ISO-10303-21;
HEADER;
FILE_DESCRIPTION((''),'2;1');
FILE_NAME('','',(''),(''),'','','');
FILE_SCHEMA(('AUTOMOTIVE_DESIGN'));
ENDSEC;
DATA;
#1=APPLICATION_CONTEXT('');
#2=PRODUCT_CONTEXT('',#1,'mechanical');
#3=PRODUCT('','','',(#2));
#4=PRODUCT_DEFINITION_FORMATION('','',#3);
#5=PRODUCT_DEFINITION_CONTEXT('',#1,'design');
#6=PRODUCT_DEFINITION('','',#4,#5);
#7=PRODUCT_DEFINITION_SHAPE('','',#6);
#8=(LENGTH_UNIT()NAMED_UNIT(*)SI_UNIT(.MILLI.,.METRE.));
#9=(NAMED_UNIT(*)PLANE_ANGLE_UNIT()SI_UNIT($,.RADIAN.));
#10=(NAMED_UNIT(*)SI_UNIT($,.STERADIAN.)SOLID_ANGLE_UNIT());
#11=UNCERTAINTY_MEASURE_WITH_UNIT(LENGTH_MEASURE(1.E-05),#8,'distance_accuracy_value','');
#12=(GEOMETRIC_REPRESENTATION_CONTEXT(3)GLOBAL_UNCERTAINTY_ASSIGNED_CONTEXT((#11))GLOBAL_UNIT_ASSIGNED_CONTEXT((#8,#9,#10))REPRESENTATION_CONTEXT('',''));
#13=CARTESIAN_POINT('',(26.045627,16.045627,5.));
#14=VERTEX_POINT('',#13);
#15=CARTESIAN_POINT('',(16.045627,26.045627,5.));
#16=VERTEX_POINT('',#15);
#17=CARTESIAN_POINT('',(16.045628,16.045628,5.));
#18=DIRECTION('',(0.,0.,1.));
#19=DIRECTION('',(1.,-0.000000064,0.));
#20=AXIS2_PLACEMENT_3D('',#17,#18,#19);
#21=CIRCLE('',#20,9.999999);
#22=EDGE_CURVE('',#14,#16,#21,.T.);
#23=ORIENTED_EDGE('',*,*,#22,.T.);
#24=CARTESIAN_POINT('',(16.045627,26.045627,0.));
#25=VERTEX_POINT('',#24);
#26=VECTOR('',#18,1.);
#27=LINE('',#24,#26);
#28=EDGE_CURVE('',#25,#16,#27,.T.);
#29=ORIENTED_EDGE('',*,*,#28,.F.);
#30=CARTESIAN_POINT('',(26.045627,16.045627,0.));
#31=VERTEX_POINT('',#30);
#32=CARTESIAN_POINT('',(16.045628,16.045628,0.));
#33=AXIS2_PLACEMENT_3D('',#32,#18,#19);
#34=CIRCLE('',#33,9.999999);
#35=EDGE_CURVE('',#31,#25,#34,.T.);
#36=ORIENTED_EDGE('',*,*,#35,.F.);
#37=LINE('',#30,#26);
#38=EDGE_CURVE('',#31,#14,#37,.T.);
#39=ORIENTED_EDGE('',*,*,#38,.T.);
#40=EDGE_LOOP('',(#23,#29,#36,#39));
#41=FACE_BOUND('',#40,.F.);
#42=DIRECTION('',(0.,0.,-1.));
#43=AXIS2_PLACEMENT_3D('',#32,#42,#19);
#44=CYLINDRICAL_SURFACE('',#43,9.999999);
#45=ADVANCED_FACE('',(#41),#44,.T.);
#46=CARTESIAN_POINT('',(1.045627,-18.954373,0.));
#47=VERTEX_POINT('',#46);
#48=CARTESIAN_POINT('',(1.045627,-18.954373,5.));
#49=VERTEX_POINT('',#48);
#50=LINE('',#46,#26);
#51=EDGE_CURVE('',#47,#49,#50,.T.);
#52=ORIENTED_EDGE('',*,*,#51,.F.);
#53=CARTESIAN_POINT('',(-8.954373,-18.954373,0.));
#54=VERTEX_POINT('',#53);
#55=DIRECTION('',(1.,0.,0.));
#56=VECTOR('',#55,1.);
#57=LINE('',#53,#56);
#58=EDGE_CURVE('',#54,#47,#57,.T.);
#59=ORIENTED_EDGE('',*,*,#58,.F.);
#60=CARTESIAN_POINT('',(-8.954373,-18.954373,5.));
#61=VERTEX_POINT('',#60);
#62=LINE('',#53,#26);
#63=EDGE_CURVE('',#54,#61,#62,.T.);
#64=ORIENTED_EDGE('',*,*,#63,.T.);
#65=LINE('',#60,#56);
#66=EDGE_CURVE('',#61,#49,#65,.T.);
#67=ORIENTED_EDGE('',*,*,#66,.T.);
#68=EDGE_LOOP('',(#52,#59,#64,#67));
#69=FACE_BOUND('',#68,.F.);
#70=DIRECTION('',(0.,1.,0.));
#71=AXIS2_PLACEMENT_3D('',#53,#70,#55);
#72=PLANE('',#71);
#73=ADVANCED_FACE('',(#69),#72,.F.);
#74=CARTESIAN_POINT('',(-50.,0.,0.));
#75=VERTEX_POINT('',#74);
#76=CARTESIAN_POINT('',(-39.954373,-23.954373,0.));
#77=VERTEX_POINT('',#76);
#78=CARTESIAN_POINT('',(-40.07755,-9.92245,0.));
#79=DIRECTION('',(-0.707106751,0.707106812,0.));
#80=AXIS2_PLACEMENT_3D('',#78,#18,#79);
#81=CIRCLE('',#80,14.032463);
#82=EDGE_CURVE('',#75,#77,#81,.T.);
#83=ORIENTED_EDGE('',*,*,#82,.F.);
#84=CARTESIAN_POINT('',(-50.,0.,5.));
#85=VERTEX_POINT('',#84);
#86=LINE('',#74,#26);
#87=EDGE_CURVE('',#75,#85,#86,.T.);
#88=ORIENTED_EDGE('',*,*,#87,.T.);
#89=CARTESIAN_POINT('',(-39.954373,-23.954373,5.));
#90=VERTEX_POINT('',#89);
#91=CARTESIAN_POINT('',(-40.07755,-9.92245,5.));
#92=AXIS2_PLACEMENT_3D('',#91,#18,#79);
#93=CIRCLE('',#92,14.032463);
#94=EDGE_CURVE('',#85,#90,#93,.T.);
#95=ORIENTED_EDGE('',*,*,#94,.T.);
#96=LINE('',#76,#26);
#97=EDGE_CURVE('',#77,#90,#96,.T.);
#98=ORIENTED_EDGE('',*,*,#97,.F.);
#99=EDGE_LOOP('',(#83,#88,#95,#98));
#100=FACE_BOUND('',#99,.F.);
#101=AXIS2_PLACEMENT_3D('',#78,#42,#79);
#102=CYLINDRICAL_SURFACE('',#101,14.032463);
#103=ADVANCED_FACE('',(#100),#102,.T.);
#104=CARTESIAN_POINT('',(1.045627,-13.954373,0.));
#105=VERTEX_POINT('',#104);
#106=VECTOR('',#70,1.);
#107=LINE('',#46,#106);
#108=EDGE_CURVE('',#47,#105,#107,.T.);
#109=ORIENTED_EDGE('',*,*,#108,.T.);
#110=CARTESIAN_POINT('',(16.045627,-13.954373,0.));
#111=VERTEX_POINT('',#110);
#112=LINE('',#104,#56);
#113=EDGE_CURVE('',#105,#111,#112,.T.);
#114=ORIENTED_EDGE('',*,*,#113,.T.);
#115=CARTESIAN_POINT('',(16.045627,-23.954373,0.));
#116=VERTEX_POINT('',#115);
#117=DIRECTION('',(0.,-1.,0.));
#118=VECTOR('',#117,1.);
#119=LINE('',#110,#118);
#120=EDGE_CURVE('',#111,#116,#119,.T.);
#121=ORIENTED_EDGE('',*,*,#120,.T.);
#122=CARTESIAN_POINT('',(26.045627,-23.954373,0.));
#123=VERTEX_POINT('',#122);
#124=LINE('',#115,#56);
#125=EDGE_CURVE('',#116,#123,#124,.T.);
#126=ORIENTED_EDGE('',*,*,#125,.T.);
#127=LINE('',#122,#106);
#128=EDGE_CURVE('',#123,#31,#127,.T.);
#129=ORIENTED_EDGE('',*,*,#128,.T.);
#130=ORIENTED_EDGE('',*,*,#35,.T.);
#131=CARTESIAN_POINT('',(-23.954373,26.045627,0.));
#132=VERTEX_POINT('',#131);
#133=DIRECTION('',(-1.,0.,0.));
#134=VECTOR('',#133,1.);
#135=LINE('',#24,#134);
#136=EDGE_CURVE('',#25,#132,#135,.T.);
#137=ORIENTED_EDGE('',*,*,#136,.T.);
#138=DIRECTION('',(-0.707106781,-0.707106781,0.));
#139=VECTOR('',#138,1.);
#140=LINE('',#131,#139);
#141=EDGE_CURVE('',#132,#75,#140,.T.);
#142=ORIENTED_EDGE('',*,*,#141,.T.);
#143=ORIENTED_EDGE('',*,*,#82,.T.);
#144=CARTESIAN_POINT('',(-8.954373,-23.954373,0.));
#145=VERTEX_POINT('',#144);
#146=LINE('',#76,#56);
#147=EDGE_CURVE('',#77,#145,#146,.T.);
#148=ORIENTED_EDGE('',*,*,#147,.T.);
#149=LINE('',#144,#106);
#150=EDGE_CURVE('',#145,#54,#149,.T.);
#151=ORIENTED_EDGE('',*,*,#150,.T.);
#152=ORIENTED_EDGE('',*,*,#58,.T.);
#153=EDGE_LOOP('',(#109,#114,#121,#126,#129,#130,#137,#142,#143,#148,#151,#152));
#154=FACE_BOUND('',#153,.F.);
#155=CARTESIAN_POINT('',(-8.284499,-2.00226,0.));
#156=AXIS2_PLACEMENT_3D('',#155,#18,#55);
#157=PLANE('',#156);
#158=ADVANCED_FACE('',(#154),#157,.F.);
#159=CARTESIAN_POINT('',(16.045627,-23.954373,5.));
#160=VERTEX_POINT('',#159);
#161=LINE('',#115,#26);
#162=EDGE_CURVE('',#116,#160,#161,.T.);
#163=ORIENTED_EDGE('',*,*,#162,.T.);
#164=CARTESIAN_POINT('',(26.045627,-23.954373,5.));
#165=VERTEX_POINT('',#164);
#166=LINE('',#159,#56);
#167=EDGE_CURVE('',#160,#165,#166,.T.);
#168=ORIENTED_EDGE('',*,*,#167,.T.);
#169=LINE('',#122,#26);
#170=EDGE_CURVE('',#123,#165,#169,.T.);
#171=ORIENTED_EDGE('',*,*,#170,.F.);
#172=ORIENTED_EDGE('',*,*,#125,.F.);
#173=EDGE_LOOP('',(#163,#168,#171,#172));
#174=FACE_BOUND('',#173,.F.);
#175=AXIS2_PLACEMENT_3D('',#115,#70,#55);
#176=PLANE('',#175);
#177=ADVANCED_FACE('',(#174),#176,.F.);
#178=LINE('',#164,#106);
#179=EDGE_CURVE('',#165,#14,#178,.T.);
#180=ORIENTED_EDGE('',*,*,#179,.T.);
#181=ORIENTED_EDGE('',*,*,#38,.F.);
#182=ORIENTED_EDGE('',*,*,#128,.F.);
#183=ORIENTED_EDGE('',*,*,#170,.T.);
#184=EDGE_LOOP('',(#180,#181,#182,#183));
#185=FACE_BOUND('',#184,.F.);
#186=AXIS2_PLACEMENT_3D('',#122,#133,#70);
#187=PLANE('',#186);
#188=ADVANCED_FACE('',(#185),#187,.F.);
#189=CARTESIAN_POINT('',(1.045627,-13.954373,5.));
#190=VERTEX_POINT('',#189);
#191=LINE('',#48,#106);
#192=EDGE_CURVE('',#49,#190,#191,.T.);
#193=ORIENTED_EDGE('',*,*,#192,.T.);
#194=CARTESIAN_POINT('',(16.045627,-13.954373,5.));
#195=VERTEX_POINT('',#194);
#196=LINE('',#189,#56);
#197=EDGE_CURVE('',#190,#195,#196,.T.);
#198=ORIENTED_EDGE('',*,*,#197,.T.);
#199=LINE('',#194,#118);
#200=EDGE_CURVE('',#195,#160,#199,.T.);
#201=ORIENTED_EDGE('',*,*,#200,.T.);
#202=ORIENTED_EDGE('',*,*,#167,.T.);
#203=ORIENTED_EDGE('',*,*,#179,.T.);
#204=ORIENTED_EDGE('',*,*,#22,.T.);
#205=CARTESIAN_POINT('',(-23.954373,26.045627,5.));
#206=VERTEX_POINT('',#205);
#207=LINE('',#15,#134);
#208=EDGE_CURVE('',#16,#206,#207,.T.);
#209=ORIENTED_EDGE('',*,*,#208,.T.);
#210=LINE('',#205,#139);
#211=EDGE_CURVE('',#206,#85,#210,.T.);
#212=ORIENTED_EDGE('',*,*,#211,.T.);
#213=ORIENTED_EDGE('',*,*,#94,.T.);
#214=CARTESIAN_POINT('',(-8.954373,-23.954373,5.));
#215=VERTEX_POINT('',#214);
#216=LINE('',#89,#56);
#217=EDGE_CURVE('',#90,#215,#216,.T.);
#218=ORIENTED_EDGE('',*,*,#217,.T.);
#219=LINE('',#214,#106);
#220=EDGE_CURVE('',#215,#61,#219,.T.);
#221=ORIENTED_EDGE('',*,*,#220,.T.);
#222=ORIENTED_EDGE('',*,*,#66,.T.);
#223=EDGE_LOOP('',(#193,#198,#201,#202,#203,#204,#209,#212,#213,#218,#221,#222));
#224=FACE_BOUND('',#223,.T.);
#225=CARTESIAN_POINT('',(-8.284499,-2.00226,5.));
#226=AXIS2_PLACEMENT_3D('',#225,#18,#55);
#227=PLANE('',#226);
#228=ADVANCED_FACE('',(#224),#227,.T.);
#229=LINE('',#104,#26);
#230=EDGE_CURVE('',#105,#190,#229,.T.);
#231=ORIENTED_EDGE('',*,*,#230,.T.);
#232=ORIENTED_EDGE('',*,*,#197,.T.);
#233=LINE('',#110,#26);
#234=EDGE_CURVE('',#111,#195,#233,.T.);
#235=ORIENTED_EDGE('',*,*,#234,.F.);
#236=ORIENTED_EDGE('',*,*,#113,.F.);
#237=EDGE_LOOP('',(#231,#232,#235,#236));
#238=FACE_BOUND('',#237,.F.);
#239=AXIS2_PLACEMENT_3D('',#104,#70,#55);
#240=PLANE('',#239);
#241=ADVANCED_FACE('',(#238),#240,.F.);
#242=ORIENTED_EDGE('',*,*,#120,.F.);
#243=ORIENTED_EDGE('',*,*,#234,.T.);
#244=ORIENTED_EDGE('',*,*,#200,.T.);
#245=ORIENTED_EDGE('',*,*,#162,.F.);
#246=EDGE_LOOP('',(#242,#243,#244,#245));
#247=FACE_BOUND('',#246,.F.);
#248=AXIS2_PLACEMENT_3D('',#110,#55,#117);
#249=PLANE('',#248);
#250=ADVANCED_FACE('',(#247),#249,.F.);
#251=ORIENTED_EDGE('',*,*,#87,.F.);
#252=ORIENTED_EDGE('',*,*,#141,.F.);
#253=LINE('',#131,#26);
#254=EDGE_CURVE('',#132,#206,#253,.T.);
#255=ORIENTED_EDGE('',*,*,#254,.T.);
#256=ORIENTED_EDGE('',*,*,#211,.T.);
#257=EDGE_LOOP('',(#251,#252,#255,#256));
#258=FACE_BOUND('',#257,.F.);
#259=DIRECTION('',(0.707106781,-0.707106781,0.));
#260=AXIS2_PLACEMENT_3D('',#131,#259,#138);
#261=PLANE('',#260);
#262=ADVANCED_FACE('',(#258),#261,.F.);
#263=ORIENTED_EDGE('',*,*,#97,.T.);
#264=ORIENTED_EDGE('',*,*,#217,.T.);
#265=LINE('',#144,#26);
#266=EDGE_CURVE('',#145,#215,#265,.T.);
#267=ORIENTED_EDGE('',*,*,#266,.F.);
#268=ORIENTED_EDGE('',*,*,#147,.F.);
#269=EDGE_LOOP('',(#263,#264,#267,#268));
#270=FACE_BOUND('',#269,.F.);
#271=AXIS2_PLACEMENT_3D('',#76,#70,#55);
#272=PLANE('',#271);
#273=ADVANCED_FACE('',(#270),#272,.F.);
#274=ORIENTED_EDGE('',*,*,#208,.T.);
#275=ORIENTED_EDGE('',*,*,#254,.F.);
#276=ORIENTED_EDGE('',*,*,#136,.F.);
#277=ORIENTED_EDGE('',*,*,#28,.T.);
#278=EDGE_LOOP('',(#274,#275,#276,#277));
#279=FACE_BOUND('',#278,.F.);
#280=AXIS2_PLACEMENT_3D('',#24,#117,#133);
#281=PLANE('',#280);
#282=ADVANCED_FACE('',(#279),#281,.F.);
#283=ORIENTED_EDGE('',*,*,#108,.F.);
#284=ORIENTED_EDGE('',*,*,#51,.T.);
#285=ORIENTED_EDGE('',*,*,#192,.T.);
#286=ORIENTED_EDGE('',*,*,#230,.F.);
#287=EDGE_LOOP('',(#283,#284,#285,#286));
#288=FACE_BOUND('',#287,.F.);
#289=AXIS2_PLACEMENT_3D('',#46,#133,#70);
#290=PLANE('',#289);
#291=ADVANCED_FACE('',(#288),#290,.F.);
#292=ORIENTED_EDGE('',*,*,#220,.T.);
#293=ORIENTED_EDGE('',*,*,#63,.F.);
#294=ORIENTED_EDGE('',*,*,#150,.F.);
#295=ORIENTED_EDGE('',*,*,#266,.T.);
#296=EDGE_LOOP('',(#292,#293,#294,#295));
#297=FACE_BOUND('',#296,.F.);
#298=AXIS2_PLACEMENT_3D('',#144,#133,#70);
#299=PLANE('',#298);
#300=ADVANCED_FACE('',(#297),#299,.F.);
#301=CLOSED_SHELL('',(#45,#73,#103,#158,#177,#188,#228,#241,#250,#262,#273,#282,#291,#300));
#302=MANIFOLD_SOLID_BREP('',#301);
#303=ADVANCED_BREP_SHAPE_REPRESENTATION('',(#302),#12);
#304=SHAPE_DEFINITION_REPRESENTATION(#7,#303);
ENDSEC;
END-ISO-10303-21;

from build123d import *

# Parameters (mm, degrees)
F1_DEPTH = 5


with BuildPart() as f1:
    # F0 (on Top) → F1 (new body)
    with BuildSketch(Plane.XY):
        with BuildLine():
            Line((16.045627, 26.045627), (-23.954373, 26.045627))
            Line((-23.954373, 26.045627), (-50, 0))
            ThreePointArc((-50, 0), (-53.018162, -15.349291), (-39.954373, -23.954373))
            Line((-39.954373, -23.954373), (-8.954373, -23.954373))
            Line((-8.954373, -23.954373), (-8.954373, -18.954373))
            Line((-8.954373, -18.954373), (1.045627, -18.954373))
            Line((1.045627, -18.954373), (1.045627, -13.954373))
            Line((1.045627, -13.954373), (16.045627, -13.954373))
            Line((16.045627, -13.954373), (16.045627, -23.954373))
            Line((16.045627, -23.954373), (26.045627, -23.954373))
            Line((26.045627, -23.954373), (26.045627, 16.045627))
            ThreePointArc((26.045627, 16.045627), (23.116695, 23.116695), (16.045627, 26.045627))
        make_face()
    extrude(amount=F1_DEPTH)


solid = f1.part
